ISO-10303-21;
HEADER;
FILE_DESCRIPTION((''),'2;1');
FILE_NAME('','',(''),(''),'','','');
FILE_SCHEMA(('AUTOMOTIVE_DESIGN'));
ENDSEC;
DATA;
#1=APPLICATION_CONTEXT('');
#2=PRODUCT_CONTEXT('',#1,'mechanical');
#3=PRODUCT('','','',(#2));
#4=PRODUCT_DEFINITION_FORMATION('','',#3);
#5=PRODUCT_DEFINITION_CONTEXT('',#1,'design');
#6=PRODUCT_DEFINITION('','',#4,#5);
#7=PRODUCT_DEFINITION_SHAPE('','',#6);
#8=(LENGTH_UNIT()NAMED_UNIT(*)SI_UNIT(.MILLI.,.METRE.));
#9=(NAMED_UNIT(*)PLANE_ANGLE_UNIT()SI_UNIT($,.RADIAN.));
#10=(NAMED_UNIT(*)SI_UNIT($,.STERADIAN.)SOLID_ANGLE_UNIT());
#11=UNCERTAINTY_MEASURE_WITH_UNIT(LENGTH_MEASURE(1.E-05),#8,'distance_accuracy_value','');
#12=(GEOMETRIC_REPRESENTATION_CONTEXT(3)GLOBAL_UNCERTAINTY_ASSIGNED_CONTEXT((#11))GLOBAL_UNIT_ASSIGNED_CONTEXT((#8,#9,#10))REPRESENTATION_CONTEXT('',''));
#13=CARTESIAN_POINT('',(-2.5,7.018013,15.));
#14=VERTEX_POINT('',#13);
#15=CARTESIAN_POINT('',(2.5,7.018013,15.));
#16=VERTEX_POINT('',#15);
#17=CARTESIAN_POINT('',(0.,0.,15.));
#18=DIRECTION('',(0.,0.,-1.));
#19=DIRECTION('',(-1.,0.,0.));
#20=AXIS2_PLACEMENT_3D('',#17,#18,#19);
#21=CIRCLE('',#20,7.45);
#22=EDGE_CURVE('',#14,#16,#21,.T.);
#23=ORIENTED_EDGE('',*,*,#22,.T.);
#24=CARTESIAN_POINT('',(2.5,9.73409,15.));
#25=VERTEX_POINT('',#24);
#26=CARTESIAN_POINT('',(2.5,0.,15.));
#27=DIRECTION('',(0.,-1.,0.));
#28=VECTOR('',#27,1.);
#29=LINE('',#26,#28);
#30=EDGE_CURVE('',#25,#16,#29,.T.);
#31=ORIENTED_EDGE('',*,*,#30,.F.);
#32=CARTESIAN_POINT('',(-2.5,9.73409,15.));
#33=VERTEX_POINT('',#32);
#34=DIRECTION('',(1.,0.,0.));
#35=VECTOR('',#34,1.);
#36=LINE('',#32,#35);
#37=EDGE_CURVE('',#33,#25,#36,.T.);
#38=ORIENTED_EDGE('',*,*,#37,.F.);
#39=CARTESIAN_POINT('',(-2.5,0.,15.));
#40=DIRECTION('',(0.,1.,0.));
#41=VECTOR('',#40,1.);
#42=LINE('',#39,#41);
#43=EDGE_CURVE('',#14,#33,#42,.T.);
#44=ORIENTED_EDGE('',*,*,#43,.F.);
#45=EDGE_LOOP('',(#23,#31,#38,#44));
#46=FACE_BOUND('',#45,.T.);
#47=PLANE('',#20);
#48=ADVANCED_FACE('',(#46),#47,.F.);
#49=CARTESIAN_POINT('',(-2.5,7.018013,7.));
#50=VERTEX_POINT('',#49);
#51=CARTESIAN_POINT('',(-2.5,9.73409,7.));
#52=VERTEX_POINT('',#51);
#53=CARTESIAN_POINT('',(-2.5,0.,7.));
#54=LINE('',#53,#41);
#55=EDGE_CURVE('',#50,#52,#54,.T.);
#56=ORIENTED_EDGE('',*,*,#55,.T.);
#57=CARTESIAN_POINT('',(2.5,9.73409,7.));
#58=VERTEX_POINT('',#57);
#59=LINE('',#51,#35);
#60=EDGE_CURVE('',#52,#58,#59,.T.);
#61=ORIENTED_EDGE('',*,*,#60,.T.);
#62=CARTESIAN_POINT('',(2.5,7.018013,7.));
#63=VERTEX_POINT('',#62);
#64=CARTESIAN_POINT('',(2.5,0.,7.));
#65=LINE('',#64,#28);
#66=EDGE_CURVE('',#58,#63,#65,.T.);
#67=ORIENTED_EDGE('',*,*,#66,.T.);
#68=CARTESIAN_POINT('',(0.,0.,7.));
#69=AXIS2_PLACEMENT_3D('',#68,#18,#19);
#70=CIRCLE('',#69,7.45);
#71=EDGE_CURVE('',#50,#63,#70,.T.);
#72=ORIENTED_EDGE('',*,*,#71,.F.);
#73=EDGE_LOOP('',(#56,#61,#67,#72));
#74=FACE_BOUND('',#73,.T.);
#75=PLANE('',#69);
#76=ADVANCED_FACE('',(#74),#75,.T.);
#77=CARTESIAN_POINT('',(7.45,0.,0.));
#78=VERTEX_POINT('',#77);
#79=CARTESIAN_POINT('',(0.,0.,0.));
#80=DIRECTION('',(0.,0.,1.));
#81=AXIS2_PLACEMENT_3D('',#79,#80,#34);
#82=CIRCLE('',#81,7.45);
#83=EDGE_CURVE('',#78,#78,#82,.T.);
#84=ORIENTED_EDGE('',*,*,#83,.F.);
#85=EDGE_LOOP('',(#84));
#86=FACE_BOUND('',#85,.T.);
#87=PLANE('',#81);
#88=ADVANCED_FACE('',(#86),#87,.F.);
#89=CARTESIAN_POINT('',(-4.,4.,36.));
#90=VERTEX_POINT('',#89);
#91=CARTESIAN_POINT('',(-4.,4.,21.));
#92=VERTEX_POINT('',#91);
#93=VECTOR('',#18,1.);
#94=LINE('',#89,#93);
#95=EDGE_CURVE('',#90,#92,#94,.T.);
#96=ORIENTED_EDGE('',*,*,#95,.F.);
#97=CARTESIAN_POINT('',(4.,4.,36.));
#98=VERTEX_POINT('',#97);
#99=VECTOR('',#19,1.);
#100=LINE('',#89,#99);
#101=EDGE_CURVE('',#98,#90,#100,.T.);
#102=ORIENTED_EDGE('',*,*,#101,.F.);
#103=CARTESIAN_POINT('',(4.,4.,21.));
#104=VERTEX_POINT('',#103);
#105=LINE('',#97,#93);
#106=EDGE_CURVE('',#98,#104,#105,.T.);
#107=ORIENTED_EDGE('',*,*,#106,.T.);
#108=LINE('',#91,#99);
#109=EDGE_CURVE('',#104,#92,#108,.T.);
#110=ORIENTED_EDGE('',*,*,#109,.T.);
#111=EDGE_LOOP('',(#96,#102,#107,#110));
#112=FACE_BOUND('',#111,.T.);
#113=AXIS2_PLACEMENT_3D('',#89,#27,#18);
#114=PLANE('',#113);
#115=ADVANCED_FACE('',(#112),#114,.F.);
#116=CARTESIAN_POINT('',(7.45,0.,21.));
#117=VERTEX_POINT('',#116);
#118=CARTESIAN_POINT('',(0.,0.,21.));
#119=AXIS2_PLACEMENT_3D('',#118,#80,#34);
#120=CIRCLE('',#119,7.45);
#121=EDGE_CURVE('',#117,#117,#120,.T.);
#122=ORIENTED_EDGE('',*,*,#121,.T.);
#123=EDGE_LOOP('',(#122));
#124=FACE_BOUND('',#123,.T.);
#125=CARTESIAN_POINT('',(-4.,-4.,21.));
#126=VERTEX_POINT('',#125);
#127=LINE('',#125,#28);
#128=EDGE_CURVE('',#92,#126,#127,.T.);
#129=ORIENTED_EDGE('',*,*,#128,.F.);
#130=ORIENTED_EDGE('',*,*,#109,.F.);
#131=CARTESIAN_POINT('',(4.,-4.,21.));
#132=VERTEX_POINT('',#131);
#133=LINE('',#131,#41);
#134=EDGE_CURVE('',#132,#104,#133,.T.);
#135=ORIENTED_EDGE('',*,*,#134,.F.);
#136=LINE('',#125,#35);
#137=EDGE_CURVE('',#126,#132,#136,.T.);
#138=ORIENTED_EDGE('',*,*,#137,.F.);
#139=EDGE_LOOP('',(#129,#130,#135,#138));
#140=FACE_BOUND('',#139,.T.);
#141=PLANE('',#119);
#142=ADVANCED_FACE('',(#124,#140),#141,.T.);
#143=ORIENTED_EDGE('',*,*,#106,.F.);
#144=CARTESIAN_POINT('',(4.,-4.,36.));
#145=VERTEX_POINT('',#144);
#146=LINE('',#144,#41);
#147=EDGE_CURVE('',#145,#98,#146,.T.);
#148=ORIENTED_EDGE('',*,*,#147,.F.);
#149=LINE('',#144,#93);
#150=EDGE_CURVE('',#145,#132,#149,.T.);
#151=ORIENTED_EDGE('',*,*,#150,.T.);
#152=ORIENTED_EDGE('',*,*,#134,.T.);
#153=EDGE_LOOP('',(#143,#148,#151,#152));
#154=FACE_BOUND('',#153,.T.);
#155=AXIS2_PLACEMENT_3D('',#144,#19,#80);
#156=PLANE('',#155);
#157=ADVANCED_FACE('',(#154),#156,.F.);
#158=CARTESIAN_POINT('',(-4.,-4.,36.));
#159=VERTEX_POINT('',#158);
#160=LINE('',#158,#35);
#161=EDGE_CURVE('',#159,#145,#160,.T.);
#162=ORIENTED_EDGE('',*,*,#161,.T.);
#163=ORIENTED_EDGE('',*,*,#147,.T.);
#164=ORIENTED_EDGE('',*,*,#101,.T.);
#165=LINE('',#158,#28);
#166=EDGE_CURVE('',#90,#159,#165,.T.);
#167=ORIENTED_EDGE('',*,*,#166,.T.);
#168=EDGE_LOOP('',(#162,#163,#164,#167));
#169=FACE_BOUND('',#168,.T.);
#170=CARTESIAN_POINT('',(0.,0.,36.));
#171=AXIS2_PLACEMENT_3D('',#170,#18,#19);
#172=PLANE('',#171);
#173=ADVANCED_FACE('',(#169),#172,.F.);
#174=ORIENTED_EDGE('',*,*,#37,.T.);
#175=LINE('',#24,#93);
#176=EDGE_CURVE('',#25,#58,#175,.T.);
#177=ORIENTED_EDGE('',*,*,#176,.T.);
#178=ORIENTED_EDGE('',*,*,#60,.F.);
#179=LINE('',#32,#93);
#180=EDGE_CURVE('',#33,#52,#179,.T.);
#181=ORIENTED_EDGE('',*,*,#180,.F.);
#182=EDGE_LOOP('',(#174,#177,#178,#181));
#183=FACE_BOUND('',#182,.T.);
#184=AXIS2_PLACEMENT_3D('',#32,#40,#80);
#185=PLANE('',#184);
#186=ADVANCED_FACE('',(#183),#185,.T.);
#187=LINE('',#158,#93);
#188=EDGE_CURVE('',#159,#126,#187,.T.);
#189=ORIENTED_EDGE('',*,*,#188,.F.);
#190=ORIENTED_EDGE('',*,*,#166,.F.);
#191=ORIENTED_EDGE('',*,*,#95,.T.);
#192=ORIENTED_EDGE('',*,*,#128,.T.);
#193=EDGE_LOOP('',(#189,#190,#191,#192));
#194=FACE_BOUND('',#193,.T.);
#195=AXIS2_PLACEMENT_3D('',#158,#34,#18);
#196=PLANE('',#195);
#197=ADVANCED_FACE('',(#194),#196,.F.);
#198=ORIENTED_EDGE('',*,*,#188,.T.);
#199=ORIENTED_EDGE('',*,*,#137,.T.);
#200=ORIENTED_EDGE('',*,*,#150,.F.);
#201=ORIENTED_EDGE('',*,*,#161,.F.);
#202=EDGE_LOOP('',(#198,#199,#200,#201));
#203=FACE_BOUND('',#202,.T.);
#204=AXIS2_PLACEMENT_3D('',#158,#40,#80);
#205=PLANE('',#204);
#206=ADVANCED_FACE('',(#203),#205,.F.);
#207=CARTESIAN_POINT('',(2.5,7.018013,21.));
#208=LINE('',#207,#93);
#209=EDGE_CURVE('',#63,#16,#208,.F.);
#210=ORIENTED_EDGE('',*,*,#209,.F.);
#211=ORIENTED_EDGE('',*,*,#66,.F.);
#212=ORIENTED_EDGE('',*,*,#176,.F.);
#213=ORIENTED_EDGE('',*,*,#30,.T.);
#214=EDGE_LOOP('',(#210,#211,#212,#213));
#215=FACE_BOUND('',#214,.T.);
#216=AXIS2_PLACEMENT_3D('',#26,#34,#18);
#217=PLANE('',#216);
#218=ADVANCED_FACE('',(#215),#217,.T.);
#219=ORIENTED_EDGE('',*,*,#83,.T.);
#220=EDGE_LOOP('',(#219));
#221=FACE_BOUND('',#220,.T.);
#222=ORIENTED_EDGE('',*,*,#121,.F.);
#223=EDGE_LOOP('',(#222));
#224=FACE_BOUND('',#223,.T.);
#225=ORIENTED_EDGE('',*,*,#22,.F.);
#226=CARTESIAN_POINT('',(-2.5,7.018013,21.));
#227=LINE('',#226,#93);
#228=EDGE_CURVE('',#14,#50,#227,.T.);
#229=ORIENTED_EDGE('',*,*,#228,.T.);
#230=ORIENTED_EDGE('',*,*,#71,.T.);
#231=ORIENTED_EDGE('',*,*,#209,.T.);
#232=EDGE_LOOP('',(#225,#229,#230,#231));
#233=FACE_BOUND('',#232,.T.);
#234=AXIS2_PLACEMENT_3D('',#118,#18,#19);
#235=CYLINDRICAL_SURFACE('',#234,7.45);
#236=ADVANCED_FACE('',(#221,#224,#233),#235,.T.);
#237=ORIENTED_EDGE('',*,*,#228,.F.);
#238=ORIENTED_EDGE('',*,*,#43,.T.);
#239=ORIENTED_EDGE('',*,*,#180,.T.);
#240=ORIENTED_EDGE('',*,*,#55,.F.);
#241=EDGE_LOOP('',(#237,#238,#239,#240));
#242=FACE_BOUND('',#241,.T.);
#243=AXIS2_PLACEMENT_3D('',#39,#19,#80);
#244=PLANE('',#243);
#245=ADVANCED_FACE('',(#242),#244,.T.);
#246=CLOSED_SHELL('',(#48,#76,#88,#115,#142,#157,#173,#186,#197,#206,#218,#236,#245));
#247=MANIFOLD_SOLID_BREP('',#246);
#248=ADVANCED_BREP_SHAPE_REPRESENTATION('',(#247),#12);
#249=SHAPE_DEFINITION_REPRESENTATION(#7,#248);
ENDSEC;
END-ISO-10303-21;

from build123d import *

# Parameters (mm, degrees)
SKETCH1_R           = 7.45
BOSS_EXTRUDE1_DEPTH = 21
BOSS_EXTRUDE4_START = -7
SKETCH4_W           = 5
SKETCH4_H           = 9.734089582
BOSS_EXTRUDE4_DEPTH = 8
SKETCH5_W           = 8
SKETCH5_H           = 8
BOSS_EXTRUDE5_DEPTH = 15


with BuildPart() as part:
    # Sketch1 → Boss-Extrude1 (new body)
    with BuildSketch(Plane.XY):
        with Locations(Location((0, 0, 0), (0, 0, 180))):
            Circle(SKETCH1_R)
    extrude(amount=BOSS_EXTRUDE1_DEPTH)

    # Sketch4 → Boss-Extrude4 (add)
    with BuildSketch(Plane(origin=(0, 0, 0), x_dir=(-1, 0, 0), z_dir=(0, 0, -1)).offset(BOSS_EXTRUDE4_START)):
        with Locations((0, 4.867044791)):
            Rectangle(SKETCH4_W, SKETCH4_H)
    extrude(amount=-BOSS_EXTRUDE4_DEPTH)

    # Sketch5 → Boss-Extrude5 (add)
    with BuildSketch(Plane.XY.offset(21)):
        Rectangle(SKETCH5_W, SKETCH5_H)
    extrude(amount=BOSS_EXTRUDE5_DEPTH)


solid = part.part
